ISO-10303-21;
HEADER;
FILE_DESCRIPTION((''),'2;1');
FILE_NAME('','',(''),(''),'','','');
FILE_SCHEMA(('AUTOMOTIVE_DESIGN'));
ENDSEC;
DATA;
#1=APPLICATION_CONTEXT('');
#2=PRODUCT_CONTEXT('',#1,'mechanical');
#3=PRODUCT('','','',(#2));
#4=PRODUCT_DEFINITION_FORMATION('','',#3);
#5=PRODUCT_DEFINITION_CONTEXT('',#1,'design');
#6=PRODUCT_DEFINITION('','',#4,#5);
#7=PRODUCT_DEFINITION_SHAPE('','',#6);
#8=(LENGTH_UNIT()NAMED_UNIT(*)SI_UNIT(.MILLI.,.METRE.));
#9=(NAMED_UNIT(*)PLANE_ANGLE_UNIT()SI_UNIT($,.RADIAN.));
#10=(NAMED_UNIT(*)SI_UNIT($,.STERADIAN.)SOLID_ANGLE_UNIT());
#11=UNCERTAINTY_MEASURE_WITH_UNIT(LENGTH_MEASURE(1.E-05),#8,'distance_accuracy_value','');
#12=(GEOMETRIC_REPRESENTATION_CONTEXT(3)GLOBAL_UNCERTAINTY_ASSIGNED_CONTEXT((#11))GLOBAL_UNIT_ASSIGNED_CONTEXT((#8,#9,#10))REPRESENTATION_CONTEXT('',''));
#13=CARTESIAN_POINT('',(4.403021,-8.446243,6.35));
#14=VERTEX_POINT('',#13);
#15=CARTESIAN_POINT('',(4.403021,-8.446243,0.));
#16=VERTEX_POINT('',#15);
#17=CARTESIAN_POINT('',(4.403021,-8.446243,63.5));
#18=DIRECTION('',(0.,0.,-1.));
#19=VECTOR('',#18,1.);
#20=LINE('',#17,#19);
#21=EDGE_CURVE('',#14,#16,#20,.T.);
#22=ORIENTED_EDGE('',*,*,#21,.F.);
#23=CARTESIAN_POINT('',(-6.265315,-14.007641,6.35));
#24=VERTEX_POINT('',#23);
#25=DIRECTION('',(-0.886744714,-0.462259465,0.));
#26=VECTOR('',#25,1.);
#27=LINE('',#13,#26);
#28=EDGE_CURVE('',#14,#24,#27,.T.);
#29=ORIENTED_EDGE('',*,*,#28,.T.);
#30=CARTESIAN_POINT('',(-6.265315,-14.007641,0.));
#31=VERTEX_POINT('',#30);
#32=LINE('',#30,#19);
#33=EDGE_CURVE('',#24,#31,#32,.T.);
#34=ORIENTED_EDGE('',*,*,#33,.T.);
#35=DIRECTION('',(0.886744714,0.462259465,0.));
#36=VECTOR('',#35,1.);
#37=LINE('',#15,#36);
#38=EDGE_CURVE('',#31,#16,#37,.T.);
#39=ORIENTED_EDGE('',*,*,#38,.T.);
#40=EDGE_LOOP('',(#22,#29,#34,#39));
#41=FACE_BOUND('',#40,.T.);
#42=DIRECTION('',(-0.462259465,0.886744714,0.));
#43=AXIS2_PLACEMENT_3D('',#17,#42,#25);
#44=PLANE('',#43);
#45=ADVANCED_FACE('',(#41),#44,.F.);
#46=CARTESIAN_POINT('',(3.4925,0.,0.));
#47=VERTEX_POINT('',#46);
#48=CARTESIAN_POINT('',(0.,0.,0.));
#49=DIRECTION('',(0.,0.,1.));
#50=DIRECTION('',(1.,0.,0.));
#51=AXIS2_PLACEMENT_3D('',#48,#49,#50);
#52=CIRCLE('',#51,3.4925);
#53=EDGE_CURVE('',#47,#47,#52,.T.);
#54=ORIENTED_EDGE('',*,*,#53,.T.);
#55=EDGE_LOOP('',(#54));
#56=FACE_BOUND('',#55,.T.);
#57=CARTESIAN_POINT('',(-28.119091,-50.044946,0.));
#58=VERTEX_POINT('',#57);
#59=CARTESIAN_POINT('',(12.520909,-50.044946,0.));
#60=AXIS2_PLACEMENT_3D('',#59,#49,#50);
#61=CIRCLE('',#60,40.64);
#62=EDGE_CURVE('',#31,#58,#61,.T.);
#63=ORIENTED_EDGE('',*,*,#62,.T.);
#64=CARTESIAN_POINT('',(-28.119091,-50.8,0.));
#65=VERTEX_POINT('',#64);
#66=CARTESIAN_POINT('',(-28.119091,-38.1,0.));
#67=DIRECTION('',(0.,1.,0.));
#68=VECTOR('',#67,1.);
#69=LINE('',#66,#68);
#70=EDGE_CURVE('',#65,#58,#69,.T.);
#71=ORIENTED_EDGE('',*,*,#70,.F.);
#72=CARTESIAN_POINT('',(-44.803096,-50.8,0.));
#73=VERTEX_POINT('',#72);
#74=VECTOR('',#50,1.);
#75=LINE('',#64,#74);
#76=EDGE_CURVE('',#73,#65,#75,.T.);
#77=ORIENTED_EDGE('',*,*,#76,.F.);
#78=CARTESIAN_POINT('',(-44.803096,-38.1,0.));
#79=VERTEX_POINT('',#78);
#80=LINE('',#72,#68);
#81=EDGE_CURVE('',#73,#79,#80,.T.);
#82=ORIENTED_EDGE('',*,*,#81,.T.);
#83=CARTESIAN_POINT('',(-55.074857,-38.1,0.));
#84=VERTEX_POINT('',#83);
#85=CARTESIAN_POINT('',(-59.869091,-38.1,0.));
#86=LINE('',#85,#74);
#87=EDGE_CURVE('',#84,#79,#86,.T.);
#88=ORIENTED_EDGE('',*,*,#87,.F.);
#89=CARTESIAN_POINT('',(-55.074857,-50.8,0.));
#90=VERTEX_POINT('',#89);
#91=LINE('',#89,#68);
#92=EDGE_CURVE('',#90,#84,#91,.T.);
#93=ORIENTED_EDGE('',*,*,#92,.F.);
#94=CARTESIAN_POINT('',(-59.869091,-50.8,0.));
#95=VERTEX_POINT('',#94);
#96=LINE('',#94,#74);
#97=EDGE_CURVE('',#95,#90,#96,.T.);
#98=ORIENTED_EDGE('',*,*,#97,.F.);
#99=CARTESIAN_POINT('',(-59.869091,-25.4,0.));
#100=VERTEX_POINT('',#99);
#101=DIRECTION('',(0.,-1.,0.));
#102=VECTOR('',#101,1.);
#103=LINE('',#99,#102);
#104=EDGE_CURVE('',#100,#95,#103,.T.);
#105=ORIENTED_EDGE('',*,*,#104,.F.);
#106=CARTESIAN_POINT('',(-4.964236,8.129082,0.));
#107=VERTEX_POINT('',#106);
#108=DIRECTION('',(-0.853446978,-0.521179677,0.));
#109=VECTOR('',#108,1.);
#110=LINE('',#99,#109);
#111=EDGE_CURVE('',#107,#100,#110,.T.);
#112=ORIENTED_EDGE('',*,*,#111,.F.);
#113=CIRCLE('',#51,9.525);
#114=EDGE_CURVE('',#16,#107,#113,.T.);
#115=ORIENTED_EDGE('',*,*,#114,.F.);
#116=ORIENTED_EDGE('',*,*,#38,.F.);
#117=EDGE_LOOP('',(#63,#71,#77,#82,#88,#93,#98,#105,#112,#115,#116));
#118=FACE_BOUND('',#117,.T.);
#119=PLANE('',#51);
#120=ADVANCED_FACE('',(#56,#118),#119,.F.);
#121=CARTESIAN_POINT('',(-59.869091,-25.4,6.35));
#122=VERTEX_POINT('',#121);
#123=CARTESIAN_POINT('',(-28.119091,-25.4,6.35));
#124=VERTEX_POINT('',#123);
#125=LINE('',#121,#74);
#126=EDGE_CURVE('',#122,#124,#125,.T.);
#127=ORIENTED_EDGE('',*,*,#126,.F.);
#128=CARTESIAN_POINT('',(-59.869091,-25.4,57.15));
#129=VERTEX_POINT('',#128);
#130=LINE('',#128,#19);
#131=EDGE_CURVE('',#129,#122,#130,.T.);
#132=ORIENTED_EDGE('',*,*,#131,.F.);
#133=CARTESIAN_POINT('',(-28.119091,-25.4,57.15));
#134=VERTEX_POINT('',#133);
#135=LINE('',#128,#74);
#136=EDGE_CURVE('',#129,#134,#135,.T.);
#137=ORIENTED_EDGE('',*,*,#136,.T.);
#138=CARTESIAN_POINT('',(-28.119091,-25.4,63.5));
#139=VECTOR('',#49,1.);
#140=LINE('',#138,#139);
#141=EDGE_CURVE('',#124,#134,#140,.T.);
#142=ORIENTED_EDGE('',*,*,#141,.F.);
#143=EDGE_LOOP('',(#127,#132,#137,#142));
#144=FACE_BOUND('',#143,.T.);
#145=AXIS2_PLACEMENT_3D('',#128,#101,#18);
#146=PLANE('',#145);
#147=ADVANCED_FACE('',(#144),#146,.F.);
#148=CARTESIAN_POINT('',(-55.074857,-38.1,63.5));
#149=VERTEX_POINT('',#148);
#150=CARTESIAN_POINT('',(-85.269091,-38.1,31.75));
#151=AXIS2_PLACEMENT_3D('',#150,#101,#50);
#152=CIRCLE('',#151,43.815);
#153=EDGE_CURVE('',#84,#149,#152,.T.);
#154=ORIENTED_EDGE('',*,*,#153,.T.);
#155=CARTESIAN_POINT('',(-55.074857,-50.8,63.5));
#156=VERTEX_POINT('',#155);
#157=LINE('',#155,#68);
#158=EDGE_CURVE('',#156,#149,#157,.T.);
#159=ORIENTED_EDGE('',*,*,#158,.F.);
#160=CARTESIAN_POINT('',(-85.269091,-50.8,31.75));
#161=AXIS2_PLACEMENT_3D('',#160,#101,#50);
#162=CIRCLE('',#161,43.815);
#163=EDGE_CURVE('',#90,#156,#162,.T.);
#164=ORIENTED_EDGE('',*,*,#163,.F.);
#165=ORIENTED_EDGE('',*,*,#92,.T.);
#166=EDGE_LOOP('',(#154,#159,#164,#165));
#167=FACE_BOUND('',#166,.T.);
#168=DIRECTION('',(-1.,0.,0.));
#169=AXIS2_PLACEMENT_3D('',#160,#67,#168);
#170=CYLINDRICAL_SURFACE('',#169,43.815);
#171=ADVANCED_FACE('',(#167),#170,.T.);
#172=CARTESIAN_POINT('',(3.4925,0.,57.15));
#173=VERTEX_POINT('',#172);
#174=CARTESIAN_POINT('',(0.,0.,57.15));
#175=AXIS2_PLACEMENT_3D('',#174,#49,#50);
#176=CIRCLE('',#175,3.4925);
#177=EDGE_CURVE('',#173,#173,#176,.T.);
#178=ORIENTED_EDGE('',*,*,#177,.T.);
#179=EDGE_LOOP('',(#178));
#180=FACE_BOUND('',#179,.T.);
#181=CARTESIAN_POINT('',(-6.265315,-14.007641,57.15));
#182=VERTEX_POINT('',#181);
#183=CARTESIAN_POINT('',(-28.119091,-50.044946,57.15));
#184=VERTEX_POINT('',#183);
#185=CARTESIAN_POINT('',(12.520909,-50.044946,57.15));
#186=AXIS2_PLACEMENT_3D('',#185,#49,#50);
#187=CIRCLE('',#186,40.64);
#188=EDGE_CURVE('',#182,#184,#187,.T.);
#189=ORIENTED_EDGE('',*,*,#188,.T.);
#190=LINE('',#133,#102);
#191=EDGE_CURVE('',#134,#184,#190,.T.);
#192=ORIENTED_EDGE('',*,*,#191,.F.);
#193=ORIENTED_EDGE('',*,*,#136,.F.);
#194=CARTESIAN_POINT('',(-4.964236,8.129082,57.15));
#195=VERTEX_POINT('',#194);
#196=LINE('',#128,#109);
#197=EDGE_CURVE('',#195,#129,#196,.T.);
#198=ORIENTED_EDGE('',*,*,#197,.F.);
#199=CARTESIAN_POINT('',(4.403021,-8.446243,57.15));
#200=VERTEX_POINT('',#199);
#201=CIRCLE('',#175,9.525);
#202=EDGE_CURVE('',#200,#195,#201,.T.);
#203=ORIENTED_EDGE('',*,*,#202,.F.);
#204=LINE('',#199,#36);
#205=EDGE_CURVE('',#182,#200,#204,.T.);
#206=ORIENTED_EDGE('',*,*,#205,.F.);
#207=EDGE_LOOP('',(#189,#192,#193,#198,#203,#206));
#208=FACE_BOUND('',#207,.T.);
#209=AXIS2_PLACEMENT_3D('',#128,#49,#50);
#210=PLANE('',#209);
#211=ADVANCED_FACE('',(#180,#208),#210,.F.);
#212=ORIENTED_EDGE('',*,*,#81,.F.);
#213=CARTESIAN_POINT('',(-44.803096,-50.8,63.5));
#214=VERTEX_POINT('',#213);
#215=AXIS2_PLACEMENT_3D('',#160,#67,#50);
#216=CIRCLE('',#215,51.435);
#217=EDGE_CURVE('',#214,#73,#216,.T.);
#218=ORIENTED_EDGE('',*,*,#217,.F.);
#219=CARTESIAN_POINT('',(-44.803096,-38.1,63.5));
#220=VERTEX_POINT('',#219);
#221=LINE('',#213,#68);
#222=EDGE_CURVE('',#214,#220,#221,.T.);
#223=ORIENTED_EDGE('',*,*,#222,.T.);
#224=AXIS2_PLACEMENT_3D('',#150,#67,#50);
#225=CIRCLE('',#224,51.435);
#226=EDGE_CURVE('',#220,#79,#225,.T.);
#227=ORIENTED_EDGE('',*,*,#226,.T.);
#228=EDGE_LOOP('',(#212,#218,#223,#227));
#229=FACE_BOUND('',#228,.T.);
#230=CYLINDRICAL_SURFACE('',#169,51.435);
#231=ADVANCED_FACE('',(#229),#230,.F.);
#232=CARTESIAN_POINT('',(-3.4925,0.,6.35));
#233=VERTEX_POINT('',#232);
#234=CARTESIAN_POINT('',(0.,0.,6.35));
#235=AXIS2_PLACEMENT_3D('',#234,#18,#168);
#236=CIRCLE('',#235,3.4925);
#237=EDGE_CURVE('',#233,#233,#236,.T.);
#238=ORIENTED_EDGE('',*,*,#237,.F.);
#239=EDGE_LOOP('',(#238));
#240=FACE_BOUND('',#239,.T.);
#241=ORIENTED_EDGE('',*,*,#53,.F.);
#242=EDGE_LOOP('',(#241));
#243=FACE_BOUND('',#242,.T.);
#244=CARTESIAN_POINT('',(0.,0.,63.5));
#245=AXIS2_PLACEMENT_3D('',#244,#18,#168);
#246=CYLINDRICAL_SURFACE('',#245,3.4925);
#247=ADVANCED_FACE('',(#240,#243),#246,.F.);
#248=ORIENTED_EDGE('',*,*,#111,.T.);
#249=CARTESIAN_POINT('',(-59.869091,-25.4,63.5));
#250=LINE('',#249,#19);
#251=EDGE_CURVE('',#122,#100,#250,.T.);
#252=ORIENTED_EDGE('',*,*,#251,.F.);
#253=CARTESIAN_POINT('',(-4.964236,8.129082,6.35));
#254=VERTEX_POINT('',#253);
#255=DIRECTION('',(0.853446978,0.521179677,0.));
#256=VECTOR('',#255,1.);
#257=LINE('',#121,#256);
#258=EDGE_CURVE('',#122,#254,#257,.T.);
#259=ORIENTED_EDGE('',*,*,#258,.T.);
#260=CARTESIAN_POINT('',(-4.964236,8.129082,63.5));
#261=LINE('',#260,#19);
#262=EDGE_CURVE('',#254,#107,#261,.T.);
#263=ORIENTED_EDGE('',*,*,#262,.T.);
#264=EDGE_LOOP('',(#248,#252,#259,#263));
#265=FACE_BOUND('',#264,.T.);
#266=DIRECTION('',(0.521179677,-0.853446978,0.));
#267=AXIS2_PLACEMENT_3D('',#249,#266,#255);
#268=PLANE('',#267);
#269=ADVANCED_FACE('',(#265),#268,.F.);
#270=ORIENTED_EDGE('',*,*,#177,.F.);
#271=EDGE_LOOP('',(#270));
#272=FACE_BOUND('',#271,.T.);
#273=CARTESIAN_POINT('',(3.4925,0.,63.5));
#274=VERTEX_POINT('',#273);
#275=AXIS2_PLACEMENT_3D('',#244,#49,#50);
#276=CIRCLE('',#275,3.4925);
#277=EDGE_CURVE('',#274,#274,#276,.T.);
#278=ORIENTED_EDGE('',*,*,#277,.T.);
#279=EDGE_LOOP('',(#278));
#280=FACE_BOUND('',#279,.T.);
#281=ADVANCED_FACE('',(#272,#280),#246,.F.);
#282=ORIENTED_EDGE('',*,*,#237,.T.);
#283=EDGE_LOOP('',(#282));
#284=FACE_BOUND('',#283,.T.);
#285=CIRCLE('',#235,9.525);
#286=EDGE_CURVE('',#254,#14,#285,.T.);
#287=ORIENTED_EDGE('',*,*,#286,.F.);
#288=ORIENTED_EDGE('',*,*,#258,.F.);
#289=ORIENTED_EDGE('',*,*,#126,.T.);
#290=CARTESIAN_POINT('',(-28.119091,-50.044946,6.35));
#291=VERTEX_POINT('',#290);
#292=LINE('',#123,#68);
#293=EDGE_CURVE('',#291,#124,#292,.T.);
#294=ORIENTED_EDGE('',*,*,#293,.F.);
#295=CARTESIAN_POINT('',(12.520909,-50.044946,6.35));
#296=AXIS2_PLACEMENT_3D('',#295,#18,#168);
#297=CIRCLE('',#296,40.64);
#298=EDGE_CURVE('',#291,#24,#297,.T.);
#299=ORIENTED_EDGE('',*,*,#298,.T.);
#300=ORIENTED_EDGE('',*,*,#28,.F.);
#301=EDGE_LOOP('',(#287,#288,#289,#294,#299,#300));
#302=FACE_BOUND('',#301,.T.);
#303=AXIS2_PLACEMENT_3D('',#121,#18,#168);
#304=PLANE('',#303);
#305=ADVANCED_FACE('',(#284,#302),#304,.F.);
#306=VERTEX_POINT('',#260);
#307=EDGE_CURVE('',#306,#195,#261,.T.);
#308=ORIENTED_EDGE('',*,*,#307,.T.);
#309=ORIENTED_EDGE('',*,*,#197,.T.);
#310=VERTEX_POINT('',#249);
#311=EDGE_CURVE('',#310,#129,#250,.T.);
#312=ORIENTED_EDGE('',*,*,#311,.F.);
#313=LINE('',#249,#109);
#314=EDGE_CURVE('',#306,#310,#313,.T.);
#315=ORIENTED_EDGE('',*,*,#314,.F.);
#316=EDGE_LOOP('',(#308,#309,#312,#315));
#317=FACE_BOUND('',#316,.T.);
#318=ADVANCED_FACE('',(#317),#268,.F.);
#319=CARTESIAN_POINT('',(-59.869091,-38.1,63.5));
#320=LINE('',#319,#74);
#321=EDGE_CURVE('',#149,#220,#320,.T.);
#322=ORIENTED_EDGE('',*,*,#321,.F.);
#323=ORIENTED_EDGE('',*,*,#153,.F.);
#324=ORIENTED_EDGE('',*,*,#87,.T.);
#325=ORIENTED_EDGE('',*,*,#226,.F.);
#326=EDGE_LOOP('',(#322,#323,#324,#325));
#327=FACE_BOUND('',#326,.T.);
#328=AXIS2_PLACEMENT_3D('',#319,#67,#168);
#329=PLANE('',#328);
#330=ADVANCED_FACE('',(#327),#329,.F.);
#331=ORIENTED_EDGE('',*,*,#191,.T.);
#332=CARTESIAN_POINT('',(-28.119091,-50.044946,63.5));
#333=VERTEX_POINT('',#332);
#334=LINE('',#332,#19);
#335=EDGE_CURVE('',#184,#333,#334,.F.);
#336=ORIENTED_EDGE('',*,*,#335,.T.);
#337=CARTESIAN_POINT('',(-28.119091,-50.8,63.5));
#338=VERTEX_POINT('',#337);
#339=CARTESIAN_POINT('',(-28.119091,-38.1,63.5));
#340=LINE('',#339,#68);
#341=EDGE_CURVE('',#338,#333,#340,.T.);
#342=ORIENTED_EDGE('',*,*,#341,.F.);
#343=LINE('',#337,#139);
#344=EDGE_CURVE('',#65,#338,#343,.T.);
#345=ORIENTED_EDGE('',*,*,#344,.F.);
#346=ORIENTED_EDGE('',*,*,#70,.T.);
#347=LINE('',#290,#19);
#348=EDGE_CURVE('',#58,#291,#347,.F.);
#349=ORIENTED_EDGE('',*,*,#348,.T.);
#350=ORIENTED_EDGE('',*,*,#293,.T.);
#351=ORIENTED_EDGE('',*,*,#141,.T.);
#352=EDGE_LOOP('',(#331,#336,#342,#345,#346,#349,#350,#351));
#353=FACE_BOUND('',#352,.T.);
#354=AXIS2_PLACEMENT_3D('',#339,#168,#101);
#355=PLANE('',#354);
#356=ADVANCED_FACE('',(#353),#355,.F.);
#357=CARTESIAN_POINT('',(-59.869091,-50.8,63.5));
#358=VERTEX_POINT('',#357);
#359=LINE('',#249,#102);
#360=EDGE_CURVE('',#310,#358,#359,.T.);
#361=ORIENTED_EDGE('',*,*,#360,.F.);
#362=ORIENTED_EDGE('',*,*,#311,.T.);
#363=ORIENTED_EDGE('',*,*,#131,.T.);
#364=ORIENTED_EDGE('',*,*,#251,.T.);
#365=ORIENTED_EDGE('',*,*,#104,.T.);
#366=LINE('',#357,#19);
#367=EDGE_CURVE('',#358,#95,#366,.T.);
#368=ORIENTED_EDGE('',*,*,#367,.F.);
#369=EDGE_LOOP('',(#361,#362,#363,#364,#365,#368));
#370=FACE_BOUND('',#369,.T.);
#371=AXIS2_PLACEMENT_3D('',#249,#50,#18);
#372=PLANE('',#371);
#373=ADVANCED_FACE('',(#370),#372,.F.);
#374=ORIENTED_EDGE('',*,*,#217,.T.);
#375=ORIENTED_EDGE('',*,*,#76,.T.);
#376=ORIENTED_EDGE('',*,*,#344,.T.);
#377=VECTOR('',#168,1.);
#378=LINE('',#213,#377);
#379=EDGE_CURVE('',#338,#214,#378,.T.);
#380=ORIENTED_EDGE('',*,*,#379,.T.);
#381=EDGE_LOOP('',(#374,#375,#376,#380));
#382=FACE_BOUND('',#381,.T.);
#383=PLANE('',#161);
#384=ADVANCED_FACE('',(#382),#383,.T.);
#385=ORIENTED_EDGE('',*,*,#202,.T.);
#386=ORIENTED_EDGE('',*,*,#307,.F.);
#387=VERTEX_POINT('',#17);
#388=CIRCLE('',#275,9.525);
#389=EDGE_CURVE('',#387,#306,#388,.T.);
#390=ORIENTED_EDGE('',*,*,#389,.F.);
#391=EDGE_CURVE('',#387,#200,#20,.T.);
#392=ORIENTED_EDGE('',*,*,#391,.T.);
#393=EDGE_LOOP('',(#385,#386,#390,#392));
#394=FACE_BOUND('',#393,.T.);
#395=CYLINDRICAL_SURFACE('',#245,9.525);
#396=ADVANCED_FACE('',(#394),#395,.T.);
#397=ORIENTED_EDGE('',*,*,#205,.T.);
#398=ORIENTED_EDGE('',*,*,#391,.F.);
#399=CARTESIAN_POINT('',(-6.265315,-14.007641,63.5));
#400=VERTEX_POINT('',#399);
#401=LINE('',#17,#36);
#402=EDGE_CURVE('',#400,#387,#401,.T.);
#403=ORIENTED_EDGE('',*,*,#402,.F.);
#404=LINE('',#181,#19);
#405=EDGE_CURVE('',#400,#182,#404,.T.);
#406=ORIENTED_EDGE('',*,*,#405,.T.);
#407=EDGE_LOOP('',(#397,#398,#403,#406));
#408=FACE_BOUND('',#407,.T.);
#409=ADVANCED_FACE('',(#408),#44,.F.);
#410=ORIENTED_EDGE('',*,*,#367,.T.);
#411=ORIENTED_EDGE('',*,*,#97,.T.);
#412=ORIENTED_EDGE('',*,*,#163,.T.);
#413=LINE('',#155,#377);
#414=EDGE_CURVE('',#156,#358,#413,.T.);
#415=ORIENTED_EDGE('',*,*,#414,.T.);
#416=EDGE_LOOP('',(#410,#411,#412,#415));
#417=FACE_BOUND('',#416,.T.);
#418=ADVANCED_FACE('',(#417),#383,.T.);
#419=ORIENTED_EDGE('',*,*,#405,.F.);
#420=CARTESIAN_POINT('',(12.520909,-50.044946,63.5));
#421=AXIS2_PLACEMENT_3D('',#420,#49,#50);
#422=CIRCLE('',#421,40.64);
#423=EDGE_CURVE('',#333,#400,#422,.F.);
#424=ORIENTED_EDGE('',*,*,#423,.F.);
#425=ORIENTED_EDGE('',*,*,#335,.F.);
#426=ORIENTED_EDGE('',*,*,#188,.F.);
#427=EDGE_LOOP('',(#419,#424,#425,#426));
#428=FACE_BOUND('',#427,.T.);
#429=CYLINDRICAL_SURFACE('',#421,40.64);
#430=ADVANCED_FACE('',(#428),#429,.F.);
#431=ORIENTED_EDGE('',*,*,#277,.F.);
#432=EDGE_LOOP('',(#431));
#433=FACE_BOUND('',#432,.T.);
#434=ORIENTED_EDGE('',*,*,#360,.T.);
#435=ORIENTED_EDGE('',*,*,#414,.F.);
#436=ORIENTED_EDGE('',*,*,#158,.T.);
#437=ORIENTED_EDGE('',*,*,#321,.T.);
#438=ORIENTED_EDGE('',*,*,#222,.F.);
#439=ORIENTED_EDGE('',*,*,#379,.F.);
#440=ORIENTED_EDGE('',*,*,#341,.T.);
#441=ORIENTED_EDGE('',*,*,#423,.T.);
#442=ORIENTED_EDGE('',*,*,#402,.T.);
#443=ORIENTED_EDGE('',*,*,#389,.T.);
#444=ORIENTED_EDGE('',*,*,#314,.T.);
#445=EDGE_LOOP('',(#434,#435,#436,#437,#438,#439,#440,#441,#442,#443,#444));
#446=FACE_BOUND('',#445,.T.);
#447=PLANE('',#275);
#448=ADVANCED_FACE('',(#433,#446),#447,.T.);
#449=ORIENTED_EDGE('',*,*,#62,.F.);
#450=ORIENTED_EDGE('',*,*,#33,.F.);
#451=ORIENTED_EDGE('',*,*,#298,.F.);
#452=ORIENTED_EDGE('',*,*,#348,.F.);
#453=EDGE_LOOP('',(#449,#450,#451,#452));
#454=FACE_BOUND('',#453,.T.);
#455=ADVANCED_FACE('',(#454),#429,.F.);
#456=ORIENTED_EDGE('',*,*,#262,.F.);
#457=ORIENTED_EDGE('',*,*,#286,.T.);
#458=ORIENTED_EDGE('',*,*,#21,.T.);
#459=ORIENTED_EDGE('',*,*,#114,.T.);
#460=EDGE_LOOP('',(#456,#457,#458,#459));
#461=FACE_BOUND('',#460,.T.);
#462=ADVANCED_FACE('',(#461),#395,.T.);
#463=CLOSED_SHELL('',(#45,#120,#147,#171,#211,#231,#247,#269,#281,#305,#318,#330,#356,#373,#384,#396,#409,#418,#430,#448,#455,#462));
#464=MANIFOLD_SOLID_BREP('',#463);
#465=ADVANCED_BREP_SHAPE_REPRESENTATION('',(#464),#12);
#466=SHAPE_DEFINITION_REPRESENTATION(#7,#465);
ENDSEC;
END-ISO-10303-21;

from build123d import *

# Parameters (mm, degrees)
SKETCH1_R               = 3.4925
BOSS_EXTRUDE1_DEPTH     = 63.5
SKETCH2_W               = 50.8
SKETCH2_H               = 34.925
CUT_EXTRUDE1_DEPTH      = 10.525
CUT_EXTRUDE1_DEPTH_BACK = 60.869090512
BOSS_EXTRUDE2_DEPTH     = 12.7
FILLET2_R               = 40.64


with BuildPart() as part:
    # Sketch1 → Boss-Extrude1 (new body)
    with BuildSketch(Plane.XY):
        with BuildLine():
            Line((-59.869090512, -25.4), (-4.964236422, 8.129082467))
            ThreePointArc((-4.964236422, 8.129082467), (8.292412041, 4.686312788), (4.403021401, -8.446243398))
            Line((4.403021401, -8.446243398), (-28.119090512, -25.4))
            Line((-28.119090512, -25.4), (-28.119090512, -38.1))
            Line((-28.119090512, -38.1), (-59.869090512, -38.1))
            Line((-59.869090512, -38.1), (-59.869090512, -25.4))
        make_face()
        Circle(SKETCH1_R, mode=Mode.SUBTRACT)
    extrude(amount=BOSS_EXTRUDE1_DEPTH)

    # Sketch2 → Cut-Extrude1 (cut, two sides)
    with BuildSketch(Plane(origin=(0, 0, 0), x_dir=(0, 0, -1), z_dir=(1, 0, 0))) as cut_extrude1_sk:
        with Locations((-31.75, -7.9375)):
            Rectangle(SKETCH2_W, SKETCH2_H)
    extrude(amount=CUT_EXTRUDE1_DEPTH, mode=Mode.SUBTRACT)
    extrude(cut_extrude1_sk.sketch, amount=-CUT_EXTRUDE1_DEPTH_BACK, mode=Mode.SUBTRACT)

    # Sketch3 → Boss-Extrude2 (add)
    with BuildSketch(Plane.XZ.offset(38.1)):
        with BuildLine():
            Line((-55.074857205, 63.5), (-59.869090512, 63.5))
            Line((-59.869090512, 63.5), (-59.869090512, 0))
            Line((-59.869090512, 0), (-55.074857205, 0))
            ThreePointArc((-55.074857205, 0), (-41.454090512, 31.75), (-55.074857205, 63.5))
        make_face()
        with BuildLine():
            Line((-44.803095838, 63.5), (-28.119090512, 63.5))
            Line((-28.119090512, 63.5), (-28.119090512, 0))
            Line((-28.119090512, 0), (-44.803095838, 0))
            ThreePointArc((-44.803095838, 0), (-33.834090512, 31.75), (-44.803095838, 63.5))
        make_face()
    extrude(amount=BOSS_EXTRUDE2_DEPTH)

    # Fillet2
    fillet2_edges = [part.edges().sort_by_distance(p)[0] for p in [
        (-28.119090512, -25.4, 60.325),
        (-28.119090512, -25.4, 3.175),
    ]]
    fillet(fillet2_edges, radius=FILLET2_R)


solid = part.part
